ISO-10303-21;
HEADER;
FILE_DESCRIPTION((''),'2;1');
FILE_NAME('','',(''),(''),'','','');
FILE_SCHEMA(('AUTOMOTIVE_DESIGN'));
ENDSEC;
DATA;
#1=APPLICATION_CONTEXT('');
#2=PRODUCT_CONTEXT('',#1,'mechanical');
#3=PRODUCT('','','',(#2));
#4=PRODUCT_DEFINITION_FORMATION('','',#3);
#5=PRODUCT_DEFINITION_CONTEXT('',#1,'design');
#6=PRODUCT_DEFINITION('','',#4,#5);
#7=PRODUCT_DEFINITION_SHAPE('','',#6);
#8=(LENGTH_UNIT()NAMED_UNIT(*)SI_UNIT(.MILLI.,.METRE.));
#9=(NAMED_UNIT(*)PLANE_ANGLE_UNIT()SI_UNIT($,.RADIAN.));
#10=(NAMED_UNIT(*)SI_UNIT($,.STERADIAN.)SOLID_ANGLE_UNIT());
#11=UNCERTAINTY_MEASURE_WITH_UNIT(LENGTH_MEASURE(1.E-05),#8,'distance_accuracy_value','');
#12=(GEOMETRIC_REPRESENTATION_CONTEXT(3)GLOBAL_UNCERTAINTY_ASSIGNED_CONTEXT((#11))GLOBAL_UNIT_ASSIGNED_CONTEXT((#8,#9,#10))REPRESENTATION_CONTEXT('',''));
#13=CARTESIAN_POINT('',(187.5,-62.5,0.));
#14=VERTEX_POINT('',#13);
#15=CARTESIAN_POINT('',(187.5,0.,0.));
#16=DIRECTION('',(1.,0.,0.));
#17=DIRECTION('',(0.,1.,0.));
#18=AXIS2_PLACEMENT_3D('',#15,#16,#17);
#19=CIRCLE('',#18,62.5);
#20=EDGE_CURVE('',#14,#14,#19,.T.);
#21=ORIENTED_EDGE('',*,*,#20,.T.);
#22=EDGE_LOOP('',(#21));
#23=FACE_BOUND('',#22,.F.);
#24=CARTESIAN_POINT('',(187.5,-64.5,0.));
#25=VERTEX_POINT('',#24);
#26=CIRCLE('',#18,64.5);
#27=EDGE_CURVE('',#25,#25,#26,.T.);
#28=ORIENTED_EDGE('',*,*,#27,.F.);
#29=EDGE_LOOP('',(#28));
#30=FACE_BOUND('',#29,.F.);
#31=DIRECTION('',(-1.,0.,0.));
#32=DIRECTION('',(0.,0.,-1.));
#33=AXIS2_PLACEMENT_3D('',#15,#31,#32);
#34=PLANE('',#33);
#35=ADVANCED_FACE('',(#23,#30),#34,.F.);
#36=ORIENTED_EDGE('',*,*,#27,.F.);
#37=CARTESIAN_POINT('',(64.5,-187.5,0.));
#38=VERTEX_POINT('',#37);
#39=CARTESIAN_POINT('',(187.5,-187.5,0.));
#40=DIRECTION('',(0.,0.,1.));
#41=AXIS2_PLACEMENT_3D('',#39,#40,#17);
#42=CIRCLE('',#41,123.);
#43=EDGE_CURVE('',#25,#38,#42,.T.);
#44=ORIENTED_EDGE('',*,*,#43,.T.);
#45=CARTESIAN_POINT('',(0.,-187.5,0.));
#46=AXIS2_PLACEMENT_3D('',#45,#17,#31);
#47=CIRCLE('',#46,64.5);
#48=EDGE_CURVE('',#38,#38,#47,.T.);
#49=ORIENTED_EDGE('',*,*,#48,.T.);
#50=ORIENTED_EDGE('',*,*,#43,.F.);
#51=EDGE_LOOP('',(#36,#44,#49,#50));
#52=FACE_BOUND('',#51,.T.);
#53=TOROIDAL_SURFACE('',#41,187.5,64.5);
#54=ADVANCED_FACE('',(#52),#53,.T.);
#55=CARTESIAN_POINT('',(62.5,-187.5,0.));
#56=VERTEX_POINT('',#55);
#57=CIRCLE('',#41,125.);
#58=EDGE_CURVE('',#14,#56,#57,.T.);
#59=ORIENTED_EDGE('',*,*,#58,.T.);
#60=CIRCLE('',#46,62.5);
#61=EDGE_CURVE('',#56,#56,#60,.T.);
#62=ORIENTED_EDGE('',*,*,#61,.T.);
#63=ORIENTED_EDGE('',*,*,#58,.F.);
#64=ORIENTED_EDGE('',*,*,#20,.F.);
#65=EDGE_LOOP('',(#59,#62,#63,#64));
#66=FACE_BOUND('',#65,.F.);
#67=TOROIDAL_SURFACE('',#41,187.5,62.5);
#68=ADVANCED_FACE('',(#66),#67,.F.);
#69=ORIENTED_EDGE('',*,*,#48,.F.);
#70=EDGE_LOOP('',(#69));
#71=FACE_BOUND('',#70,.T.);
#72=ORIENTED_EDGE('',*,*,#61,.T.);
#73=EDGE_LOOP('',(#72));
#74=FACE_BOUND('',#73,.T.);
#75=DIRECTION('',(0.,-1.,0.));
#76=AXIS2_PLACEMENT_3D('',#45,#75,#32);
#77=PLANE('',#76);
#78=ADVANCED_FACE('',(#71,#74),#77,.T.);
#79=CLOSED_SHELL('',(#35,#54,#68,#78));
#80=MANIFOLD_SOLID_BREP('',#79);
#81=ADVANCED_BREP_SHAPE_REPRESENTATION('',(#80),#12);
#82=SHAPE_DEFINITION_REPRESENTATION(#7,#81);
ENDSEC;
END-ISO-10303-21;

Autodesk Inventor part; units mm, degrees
ref_plane "YZ Plane" through (0, 0, 0) normal (1, 0, 0) x (0, 1, 0)
ref_plane "XZ Plane" through (0, 0, 0) normal (0, 1, 0) x (-1, 0, 0)
sketch "Szkic6" plane through (0, 0, 0) normal (0, 0, 1) x (1, 0, 0)
  line L0 (-29.6067, 0) -> (35.2678, 0) construction
  line L1 (0, 42.3419) -> (0, -58.3726) construction
  arc A0 (187.5, 0) -> (0, -187.5) centre (187.5, -187.5) ccw
  line L2 (0, -187.5) -> (187.5, -187.5) construction
  line L3 (187.5, -187.5) -> (187.5, -121.9669) construction
  line L4 (187.5, 0) -> (187.5, 0)
  line L5 (0, -187.5) -> (0, -187.5)
  point P0 (0, 0)
  dimension "d24" = 187.5
  dimension "d31" = 90
  dimension "d36" = 0
  dimension "d37" = 0
ref_plane "Płaszczyzna konstrukcyjna2" through (0, -187.5, 0) normal (0, -1, 0) x (1, 0, 0)
sketch "Szkic8" plane through (0, -187.5, 0) normal (0, -1, 0) x (1, 0, 0)
  circle A0 centre (0, 0) radius 64.5
  circle A1 centre (0, 0) radius 62.5
  dimension "d32" = 129
  dimension "d33" = 2
sweep "Przeciągnięcie2" add profiles "Szkic8" path "Szkic6"
equation "\"d32\" = OD"
equation "\"d33\" = THK"
equation "\"d24\" = R"
equation "\"d31\" = KAT"
equation "\"SzerokośćGięciaPodcięcia\" = Grubość"
equation "\"RozmiarPodcięciaNarożnika\" = 4 * Grubość"
equation "\"PromieńPrzejścia\" = PromieńGięcia"
equation "\"Rozmiar_promienia_Jacobiego\" = PromieńGięcia"
equation "\"Wielk_odstępu\" = Grubość"
equation "\"d2\" = PromieńGięcia"
equation "\"d23\" = PromieńGięcia"
equation "\"R\" = 187.5"
equation "\"OD\" = 129"
equation "\"THK\" = 2"
equation "\"KAT\" = 90deg"
equation "\"PROSTKA\" = 0"
equation "\"Grubość\" = 1.5"
equation "\"PromieńGięcia\" = 3"
properties part number "Kolano 90° ø129x2 R187,5" material "304L"
